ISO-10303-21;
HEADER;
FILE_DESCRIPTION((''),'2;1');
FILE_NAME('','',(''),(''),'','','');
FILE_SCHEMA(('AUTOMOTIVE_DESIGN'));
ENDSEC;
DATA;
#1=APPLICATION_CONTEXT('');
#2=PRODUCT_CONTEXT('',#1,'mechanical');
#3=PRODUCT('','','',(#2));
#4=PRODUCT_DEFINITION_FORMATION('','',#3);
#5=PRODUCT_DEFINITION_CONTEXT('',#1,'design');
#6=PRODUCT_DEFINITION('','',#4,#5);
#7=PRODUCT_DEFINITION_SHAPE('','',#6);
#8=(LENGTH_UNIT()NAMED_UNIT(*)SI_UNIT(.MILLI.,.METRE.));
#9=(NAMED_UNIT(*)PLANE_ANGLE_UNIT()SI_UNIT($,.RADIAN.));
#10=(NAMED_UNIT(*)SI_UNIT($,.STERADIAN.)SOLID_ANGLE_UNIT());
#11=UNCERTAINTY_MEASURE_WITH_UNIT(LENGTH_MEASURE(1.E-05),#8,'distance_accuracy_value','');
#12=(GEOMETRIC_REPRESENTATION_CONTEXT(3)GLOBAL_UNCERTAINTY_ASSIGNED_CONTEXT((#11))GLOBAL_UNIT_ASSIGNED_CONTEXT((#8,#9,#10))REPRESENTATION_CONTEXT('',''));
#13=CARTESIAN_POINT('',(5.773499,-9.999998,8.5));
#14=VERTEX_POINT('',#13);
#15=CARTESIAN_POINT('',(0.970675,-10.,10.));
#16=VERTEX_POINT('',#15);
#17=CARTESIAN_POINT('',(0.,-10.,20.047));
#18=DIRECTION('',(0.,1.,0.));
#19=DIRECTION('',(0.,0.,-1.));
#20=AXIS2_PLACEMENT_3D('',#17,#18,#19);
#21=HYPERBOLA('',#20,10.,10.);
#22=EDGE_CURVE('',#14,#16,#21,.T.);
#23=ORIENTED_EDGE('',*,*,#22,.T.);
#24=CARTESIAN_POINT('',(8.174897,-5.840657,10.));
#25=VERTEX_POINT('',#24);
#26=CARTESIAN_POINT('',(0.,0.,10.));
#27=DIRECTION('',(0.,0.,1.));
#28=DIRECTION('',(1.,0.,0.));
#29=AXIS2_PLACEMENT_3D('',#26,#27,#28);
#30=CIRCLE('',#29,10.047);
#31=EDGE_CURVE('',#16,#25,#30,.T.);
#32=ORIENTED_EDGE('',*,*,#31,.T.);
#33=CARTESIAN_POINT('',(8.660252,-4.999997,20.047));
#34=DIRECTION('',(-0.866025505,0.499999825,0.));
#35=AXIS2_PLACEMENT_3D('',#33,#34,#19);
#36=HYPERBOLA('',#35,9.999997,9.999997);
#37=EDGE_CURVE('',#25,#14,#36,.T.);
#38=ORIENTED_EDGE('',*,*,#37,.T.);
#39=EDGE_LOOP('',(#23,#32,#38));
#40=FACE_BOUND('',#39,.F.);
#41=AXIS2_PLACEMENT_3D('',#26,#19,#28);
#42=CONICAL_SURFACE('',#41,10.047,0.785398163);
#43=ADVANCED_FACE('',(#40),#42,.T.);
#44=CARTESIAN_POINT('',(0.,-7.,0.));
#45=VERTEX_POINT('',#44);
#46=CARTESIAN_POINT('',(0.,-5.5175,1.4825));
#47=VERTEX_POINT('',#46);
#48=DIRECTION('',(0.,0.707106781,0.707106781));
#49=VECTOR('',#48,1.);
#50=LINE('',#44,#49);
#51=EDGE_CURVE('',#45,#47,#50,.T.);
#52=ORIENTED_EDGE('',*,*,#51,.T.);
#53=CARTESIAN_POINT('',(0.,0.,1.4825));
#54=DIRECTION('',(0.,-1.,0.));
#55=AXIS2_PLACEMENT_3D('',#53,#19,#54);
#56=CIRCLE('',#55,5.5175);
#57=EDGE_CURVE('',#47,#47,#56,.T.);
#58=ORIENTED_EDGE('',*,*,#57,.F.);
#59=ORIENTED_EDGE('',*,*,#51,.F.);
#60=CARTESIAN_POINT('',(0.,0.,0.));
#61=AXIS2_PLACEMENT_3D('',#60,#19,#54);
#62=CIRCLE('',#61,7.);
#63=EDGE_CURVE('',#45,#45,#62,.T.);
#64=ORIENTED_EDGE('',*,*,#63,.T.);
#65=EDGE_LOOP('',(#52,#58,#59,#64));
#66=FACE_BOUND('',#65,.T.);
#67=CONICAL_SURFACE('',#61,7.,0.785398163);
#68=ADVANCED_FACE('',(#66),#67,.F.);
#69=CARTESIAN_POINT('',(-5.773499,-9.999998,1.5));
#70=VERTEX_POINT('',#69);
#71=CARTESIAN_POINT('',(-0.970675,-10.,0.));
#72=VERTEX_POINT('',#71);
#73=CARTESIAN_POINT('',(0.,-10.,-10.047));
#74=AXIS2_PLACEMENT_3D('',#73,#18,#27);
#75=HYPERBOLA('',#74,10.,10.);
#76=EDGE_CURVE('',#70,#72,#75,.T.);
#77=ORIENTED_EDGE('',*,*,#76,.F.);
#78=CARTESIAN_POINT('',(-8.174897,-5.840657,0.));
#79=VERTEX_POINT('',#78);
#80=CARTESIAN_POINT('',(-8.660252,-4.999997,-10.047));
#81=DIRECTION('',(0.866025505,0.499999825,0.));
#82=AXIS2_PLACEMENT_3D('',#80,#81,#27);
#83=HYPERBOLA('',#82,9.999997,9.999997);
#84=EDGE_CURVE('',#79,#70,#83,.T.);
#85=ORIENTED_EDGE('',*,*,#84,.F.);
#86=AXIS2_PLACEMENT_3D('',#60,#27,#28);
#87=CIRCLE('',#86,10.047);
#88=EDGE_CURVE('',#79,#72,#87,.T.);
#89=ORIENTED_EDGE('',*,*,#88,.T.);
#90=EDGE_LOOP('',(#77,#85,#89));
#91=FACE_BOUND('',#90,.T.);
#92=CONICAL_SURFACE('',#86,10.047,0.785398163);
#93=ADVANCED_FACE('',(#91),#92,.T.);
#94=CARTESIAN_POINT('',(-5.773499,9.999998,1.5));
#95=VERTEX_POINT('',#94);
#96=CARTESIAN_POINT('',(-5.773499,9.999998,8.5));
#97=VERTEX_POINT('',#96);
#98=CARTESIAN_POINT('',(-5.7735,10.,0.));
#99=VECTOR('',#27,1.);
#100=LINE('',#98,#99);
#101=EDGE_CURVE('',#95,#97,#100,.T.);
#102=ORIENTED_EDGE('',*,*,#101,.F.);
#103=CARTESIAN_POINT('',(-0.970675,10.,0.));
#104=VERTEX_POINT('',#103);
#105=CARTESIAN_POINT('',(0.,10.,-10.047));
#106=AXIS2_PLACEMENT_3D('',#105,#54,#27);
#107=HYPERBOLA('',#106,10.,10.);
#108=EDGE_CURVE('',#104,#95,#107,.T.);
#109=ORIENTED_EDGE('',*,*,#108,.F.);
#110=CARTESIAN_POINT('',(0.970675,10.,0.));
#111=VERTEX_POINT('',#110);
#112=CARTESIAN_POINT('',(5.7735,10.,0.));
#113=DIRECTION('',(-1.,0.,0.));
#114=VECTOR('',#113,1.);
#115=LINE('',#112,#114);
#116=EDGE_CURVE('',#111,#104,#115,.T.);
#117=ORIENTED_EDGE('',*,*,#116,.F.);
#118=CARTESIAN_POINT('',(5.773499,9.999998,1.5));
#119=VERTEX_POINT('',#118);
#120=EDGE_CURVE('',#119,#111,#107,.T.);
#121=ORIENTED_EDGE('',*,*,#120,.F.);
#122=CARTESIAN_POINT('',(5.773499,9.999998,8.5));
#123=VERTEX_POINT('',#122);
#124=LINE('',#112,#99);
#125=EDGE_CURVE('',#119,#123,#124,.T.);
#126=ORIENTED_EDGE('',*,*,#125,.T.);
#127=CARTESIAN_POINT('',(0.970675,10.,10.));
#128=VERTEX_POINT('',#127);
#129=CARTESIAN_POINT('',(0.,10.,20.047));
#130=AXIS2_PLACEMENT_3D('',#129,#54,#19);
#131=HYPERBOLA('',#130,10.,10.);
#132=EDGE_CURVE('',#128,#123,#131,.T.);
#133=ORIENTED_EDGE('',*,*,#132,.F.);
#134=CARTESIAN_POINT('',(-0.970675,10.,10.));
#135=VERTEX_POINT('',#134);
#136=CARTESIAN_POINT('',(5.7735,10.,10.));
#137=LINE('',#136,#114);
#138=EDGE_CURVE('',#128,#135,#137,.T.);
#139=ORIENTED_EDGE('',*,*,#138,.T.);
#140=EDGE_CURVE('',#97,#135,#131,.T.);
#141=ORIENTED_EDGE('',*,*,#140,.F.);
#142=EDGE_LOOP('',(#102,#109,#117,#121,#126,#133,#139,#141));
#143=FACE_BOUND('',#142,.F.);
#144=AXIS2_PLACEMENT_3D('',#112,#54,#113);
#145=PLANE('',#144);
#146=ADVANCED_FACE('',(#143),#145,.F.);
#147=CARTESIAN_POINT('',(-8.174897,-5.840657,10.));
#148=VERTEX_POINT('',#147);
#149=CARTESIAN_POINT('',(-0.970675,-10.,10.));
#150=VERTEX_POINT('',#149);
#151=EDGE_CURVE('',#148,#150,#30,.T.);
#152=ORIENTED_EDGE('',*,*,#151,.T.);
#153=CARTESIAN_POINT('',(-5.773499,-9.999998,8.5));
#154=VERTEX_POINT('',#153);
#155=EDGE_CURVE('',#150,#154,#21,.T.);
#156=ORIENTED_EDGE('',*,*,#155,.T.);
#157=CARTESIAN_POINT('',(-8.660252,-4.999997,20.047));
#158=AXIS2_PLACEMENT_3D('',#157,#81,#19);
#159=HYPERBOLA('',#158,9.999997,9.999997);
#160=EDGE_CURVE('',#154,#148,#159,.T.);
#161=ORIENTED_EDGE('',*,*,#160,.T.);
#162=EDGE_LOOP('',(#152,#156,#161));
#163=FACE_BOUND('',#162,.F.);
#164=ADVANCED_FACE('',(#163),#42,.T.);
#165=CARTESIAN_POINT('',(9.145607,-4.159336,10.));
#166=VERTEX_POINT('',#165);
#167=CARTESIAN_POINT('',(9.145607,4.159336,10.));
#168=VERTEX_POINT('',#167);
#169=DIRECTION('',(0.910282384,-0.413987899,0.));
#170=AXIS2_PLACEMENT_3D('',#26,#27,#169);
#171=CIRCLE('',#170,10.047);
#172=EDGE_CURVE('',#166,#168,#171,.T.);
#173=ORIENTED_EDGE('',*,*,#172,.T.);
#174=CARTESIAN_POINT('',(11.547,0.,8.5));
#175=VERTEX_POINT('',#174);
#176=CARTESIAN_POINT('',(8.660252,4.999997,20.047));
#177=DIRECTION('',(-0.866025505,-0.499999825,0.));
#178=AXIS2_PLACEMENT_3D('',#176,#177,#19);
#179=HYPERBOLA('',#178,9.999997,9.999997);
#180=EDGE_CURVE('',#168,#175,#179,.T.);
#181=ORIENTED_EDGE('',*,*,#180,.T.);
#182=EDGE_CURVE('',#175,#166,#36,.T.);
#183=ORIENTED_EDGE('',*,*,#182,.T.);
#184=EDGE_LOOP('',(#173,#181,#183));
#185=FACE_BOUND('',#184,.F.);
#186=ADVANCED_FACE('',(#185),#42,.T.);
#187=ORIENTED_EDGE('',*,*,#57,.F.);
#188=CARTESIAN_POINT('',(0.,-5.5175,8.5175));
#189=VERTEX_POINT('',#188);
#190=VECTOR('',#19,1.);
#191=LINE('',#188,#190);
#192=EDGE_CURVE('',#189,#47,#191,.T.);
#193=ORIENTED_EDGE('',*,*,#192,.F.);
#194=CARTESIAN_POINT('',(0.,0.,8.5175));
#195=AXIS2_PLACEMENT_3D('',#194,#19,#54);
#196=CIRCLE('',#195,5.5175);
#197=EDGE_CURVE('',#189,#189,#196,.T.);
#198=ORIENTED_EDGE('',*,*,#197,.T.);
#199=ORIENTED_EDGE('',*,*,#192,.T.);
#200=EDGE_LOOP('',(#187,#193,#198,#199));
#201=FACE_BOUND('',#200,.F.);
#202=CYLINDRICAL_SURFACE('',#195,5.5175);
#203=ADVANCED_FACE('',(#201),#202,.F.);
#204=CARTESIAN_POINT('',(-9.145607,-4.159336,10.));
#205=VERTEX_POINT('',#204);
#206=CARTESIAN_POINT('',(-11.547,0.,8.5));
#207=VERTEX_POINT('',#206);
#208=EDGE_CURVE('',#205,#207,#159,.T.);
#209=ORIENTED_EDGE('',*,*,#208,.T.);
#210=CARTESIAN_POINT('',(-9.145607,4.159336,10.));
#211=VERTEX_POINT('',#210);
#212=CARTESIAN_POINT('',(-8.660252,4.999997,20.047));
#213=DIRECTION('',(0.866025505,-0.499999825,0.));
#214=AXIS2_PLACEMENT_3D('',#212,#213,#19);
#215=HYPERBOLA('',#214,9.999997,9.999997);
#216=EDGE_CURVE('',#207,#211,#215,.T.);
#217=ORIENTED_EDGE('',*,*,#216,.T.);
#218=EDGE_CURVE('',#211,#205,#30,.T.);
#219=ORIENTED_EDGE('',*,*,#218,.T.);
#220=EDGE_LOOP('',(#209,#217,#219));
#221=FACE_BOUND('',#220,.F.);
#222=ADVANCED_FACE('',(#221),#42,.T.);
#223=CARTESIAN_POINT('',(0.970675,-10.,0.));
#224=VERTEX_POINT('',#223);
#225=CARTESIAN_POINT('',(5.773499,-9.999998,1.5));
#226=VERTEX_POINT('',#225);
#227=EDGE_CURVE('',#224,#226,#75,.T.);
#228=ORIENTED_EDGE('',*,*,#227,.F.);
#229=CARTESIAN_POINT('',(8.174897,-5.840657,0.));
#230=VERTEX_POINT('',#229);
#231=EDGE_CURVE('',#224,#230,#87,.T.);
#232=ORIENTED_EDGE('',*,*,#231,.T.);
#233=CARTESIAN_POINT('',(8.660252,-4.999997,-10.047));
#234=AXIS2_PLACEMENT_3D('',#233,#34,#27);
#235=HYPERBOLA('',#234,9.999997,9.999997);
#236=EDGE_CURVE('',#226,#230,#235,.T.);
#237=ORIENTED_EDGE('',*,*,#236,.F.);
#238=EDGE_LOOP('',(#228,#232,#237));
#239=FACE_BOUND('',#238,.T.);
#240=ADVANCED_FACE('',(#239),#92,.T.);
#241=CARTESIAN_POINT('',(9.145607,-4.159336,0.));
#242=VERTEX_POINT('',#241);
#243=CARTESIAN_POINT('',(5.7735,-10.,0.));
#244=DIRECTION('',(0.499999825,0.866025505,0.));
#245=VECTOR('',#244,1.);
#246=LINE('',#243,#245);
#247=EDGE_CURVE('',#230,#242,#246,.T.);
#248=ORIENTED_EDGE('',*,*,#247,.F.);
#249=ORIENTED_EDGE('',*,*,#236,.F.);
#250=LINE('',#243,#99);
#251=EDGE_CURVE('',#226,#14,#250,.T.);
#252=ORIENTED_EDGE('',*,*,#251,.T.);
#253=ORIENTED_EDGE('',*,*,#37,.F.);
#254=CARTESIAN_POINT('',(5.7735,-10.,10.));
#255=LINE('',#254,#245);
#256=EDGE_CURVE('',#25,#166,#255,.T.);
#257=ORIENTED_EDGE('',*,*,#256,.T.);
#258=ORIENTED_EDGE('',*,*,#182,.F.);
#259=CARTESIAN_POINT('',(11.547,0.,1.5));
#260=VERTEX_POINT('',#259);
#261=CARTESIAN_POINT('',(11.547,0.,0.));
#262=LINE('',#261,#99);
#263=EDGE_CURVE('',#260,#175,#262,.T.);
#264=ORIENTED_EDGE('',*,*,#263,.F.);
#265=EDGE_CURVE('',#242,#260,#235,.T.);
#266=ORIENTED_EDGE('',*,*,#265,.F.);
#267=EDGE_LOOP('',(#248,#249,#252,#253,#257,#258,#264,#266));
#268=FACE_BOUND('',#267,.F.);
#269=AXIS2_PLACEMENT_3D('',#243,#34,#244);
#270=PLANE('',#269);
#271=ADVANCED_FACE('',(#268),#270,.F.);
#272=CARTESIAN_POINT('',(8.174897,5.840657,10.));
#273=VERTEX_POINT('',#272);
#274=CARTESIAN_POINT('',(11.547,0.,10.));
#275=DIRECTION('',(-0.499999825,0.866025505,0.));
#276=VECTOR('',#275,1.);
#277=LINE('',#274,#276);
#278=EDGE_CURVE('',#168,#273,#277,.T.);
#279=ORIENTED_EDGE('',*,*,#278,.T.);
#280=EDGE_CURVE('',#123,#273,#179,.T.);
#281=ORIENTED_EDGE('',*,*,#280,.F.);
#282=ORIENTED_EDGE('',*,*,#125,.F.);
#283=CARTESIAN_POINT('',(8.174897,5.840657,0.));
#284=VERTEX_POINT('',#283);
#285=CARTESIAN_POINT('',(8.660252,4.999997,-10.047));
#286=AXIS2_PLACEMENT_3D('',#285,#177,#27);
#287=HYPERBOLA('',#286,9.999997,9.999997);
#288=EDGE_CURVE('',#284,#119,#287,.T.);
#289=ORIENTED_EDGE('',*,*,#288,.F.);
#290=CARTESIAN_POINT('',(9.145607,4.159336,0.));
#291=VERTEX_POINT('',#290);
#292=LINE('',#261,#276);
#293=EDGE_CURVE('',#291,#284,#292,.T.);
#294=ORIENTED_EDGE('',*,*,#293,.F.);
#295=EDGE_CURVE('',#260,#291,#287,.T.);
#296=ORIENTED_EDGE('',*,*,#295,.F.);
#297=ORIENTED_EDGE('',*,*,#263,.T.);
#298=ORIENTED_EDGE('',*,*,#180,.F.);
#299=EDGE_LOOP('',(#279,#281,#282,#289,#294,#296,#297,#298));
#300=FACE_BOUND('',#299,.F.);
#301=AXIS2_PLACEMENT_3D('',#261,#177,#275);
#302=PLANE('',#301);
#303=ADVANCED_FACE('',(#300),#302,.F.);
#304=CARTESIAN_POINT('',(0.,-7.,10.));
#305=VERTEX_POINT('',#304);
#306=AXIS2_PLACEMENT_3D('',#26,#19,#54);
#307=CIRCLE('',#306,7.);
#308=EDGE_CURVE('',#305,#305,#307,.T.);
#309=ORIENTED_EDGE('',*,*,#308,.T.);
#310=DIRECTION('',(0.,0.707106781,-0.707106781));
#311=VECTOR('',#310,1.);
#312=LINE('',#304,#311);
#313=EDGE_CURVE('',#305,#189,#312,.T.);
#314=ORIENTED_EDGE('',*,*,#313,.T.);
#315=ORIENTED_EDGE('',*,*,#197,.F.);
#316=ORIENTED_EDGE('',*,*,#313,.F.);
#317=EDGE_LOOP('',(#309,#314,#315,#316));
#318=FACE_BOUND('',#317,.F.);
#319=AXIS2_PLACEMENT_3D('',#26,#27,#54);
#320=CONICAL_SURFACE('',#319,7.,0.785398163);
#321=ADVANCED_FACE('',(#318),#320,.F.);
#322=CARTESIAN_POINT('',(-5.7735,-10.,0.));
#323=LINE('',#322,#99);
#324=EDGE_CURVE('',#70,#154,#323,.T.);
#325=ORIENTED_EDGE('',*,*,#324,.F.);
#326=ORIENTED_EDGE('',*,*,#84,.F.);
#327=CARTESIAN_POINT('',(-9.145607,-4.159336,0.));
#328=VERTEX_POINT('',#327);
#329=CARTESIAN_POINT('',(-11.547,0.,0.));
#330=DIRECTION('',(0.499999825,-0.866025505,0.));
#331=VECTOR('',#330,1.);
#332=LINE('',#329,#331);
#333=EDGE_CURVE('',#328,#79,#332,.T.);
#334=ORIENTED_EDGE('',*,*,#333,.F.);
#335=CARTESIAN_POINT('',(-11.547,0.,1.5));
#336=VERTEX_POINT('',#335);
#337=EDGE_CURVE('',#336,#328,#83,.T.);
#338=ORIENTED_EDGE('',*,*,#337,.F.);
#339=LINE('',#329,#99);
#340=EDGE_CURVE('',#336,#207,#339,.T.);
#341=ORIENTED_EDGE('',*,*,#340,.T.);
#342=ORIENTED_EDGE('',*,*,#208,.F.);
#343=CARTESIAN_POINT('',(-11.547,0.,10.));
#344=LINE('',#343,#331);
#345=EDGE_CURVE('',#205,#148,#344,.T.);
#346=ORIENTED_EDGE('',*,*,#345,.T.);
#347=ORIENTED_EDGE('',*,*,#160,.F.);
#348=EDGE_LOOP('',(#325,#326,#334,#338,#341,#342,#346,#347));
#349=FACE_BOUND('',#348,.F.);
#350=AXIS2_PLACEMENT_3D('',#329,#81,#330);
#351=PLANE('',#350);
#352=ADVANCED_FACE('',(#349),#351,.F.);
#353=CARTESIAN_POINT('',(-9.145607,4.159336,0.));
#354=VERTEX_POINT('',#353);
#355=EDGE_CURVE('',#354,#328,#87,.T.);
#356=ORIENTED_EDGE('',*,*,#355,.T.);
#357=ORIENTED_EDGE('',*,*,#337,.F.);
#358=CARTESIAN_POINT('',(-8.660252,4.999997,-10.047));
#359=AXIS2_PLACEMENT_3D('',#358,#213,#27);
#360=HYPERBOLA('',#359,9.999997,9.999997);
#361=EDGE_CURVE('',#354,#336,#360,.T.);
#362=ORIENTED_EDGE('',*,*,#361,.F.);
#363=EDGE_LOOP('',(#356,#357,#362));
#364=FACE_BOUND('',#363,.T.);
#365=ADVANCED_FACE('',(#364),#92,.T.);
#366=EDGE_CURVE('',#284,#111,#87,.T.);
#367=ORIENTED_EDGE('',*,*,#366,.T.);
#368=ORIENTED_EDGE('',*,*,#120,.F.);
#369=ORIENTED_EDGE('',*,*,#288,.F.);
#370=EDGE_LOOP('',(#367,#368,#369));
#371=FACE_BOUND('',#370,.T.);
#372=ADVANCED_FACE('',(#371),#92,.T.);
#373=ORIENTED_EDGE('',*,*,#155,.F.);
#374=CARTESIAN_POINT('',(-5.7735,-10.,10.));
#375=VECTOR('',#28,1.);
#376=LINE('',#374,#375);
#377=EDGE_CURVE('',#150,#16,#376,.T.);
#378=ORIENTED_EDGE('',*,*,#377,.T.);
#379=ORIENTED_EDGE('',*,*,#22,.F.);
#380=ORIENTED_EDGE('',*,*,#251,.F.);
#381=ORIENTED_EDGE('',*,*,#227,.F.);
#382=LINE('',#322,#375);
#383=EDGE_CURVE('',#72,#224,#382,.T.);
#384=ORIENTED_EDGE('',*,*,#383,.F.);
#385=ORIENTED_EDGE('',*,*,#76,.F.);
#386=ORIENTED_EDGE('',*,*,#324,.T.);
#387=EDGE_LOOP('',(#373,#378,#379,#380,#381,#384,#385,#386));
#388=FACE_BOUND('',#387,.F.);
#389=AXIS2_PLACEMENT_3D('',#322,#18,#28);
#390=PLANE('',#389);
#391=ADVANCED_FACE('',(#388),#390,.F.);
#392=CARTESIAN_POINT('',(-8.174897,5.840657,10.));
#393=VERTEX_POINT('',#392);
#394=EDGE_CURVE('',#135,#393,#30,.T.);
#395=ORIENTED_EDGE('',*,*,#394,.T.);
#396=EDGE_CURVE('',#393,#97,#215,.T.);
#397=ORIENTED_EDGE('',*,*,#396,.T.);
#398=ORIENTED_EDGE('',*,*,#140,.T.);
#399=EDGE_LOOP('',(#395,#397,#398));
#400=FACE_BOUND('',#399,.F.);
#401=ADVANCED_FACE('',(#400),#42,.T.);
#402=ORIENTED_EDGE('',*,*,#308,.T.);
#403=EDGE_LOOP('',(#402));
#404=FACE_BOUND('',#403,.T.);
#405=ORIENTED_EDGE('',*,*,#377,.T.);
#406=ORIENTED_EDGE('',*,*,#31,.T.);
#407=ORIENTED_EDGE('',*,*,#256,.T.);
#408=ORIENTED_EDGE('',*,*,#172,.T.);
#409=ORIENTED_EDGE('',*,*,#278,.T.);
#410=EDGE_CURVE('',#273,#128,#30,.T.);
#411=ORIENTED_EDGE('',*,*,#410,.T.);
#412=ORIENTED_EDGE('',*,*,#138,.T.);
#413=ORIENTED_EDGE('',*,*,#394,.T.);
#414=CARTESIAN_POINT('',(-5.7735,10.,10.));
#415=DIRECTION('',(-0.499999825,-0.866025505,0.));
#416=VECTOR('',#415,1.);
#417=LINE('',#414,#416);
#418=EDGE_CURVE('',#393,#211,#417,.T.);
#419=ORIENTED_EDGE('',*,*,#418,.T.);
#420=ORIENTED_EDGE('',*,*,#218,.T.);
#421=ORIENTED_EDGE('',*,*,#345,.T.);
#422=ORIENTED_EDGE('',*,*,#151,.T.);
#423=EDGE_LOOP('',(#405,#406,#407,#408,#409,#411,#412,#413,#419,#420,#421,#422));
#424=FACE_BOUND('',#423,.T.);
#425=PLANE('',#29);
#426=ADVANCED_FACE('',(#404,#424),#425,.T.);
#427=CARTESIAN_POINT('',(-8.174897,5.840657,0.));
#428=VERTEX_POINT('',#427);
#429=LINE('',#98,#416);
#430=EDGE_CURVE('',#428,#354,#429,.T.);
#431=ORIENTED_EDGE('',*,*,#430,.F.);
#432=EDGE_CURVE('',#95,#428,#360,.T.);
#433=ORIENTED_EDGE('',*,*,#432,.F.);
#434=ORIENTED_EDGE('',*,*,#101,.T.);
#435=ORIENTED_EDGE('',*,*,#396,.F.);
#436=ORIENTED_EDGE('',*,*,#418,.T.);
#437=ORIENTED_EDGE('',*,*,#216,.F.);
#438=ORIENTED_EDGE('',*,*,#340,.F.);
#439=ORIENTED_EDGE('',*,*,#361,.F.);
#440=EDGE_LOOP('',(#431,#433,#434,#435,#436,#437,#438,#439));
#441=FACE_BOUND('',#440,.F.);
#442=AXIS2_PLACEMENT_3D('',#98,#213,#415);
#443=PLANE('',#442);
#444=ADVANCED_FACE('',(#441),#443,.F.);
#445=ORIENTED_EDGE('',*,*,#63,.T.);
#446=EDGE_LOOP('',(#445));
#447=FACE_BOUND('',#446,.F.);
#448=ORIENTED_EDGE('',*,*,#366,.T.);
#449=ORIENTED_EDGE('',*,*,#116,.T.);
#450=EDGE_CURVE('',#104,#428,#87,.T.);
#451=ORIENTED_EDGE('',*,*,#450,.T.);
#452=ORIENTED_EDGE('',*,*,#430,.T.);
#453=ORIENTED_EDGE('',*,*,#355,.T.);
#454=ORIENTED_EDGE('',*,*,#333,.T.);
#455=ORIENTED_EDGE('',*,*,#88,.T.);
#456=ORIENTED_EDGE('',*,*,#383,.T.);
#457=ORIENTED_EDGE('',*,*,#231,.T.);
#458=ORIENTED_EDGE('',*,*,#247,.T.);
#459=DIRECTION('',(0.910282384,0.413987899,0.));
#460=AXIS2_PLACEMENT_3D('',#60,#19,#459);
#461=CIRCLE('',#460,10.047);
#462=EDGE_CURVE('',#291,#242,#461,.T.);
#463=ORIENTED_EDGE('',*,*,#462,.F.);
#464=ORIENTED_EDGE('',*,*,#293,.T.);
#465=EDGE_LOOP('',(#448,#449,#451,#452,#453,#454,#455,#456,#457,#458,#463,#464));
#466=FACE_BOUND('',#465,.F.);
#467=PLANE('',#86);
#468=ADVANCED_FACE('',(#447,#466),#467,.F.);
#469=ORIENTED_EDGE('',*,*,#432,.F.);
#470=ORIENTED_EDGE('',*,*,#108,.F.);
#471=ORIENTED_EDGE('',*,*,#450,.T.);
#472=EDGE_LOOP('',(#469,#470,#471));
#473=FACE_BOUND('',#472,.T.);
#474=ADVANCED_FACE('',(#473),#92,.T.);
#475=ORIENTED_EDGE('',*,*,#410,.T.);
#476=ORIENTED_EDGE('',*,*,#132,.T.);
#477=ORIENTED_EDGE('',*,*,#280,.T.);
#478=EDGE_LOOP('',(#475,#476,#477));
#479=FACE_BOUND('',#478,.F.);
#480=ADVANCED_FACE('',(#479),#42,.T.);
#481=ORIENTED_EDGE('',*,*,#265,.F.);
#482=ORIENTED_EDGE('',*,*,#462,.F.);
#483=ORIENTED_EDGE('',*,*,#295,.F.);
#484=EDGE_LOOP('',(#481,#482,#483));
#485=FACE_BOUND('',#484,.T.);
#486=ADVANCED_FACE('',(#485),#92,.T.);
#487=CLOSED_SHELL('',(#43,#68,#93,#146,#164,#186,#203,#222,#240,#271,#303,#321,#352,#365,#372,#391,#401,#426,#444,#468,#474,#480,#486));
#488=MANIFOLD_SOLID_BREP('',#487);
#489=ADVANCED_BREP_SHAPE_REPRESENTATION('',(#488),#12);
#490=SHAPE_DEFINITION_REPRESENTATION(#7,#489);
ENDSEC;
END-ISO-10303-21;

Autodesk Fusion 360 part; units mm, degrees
sketch "Hex Polygon" plane through (0, 0, 0) normal (0, 0, 1) x (1, 0, 0)
  line L0 (5.7735, 10) -> (-5.7735, 10)
  line L1 (-5.7735, 10) -> (-11.547, 0)
  line L2 (-11.547, 0) -> (-5.7735, -10)
  line L3 (-5.7735, -10) -> (5.7735, -10)
  line L4 (5.7735, -10) -> (11.547, 0)
  line L5 (11.547, 0) -> (5.7735, 10)
  dimension "d1" = 10
extrude "Extrude1" add sketch "Hex Polygon" along normal blind 10
sketch "Chamfer Sketch" plane through (0, 0, 0) normal (0, 1, 0) x (1, 0, 0)
  line L0 (11.547, -10) -> (10.047, -10)
  line L1 (10.047, -10) -> (11.547, -8.5)
  line L2 (11.547, -8.5) -> (11.547, -10)
  point P0 (11.547, -10)
  dimension "d4" = 1.5
revolve "Revolve1" cut sketch "Chamfer Sketch" angle 360 about axis through (0, 0, 1.75) along (0, 0, 1)
hole "Hole1" at (0, 0, 10) direction (0, 0, -1) diameter 11.035 end through all countersink diameter 14 countersink angle 90
ref_plane "WorkPlane1" through (0, 0, 5) normal (0, 0, 1) x (1, 0, 0)
mirror "Mirror1" about plane through (0, 0, 5) normal (0, 0, 1) of "Revolve1", "Hole1"
